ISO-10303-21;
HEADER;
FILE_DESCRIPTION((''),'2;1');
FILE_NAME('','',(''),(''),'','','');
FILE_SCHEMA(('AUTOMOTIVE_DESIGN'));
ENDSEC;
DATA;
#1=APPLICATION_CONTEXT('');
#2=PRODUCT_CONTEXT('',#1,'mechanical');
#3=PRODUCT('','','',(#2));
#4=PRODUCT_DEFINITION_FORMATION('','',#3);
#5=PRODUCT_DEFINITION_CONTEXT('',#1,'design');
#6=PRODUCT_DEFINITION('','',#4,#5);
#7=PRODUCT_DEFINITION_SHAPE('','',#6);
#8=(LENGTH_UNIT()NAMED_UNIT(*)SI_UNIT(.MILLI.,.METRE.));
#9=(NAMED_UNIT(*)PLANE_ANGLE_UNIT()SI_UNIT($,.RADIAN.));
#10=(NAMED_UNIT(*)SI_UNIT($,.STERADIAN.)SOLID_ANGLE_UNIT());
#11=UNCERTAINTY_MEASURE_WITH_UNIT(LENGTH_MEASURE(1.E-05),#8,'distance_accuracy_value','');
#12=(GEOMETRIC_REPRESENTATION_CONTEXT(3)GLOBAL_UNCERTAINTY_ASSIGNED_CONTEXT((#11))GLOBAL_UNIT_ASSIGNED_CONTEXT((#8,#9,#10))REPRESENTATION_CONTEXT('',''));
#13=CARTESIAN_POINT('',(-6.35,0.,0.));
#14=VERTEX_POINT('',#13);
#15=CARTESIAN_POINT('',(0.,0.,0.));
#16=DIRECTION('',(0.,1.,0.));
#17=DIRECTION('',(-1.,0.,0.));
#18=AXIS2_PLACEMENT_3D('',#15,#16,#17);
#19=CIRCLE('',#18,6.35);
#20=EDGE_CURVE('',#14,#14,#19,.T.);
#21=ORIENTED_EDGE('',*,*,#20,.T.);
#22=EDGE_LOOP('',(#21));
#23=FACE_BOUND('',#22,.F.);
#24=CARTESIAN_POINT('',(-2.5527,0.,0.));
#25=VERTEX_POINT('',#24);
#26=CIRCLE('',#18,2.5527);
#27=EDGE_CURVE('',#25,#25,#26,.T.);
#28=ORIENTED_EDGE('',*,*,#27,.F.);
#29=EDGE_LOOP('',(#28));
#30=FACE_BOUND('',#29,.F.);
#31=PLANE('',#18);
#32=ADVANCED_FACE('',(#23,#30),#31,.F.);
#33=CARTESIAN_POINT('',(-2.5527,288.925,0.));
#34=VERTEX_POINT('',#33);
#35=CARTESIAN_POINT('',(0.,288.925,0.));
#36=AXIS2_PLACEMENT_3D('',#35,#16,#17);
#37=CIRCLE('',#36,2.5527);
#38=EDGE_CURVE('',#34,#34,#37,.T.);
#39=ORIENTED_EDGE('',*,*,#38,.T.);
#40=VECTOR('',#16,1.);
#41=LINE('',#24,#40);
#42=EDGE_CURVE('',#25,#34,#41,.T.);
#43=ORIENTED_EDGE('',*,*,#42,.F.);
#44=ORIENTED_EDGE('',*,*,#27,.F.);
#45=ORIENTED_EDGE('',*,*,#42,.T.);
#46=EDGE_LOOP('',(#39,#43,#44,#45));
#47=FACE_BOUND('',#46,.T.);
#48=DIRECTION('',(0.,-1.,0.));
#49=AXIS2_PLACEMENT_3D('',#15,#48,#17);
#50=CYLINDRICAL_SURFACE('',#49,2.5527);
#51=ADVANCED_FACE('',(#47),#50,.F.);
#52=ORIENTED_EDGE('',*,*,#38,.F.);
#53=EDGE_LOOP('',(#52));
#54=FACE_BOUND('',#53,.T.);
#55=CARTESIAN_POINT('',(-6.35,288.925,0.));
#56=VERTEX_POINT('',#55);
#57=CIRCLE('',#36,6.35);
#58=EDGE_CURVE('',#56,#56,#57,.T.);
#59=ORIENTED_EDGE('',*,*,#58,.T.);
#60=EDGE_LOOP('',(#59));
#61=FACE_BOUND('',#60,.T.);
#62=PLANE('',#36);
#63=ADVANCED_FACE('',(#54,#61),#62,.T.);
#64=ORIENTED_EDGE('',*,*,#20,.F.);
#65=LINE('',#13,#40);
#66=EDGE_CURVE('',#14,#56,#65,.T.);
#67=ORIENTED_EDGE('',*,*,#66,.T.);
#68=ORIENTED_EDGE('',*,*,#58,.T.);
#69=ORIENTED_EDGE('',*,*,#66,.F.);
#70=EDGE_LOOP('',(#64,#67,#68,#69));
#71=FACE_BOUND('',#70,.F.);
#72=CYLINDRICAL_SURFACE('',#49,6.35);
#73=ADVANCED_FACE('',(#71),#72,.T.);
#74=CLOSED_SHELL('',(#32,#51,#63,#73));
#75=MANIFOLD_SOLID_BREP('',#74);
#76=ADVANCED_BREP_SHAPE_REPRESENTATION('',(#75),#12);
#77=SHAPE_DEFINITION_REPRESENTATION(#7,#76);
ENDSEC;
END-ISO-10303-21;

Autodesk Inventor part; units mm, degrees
ref_plane "YZ Plane" through (0, 0, 0) normal (1, 0, 0) x (0, 1, 0)
ref_plane "XZ Plane" through (0, 0, 0) normal (0, 1, 0) x (-1, 0, 0)
ref_plane "XY Plane" through (0, 0, 0) normal (0, 0, 1) x (1, 0, 0)
sketch "Sketch1" plane through (0, 0, 0) normal (0, 1, 0) x (-1, 0, 0)
  circle A0 centre (0, 0) radius 6.35
  circle A1 centre (0, 0) radius 2.5527
  dimension "d0" = 12.7
  dimension "d1" = 5.1054
extrude "Extrusion1" add sketch "Sketch1" along normal blind 288.925
thread "Thread1" size "1/4-20 UNC" class "2B" standard "ANSI Unified Screw Threads" full length
properties part number "CORL_018_WeakBar" material "Acetal Resin, Black"
